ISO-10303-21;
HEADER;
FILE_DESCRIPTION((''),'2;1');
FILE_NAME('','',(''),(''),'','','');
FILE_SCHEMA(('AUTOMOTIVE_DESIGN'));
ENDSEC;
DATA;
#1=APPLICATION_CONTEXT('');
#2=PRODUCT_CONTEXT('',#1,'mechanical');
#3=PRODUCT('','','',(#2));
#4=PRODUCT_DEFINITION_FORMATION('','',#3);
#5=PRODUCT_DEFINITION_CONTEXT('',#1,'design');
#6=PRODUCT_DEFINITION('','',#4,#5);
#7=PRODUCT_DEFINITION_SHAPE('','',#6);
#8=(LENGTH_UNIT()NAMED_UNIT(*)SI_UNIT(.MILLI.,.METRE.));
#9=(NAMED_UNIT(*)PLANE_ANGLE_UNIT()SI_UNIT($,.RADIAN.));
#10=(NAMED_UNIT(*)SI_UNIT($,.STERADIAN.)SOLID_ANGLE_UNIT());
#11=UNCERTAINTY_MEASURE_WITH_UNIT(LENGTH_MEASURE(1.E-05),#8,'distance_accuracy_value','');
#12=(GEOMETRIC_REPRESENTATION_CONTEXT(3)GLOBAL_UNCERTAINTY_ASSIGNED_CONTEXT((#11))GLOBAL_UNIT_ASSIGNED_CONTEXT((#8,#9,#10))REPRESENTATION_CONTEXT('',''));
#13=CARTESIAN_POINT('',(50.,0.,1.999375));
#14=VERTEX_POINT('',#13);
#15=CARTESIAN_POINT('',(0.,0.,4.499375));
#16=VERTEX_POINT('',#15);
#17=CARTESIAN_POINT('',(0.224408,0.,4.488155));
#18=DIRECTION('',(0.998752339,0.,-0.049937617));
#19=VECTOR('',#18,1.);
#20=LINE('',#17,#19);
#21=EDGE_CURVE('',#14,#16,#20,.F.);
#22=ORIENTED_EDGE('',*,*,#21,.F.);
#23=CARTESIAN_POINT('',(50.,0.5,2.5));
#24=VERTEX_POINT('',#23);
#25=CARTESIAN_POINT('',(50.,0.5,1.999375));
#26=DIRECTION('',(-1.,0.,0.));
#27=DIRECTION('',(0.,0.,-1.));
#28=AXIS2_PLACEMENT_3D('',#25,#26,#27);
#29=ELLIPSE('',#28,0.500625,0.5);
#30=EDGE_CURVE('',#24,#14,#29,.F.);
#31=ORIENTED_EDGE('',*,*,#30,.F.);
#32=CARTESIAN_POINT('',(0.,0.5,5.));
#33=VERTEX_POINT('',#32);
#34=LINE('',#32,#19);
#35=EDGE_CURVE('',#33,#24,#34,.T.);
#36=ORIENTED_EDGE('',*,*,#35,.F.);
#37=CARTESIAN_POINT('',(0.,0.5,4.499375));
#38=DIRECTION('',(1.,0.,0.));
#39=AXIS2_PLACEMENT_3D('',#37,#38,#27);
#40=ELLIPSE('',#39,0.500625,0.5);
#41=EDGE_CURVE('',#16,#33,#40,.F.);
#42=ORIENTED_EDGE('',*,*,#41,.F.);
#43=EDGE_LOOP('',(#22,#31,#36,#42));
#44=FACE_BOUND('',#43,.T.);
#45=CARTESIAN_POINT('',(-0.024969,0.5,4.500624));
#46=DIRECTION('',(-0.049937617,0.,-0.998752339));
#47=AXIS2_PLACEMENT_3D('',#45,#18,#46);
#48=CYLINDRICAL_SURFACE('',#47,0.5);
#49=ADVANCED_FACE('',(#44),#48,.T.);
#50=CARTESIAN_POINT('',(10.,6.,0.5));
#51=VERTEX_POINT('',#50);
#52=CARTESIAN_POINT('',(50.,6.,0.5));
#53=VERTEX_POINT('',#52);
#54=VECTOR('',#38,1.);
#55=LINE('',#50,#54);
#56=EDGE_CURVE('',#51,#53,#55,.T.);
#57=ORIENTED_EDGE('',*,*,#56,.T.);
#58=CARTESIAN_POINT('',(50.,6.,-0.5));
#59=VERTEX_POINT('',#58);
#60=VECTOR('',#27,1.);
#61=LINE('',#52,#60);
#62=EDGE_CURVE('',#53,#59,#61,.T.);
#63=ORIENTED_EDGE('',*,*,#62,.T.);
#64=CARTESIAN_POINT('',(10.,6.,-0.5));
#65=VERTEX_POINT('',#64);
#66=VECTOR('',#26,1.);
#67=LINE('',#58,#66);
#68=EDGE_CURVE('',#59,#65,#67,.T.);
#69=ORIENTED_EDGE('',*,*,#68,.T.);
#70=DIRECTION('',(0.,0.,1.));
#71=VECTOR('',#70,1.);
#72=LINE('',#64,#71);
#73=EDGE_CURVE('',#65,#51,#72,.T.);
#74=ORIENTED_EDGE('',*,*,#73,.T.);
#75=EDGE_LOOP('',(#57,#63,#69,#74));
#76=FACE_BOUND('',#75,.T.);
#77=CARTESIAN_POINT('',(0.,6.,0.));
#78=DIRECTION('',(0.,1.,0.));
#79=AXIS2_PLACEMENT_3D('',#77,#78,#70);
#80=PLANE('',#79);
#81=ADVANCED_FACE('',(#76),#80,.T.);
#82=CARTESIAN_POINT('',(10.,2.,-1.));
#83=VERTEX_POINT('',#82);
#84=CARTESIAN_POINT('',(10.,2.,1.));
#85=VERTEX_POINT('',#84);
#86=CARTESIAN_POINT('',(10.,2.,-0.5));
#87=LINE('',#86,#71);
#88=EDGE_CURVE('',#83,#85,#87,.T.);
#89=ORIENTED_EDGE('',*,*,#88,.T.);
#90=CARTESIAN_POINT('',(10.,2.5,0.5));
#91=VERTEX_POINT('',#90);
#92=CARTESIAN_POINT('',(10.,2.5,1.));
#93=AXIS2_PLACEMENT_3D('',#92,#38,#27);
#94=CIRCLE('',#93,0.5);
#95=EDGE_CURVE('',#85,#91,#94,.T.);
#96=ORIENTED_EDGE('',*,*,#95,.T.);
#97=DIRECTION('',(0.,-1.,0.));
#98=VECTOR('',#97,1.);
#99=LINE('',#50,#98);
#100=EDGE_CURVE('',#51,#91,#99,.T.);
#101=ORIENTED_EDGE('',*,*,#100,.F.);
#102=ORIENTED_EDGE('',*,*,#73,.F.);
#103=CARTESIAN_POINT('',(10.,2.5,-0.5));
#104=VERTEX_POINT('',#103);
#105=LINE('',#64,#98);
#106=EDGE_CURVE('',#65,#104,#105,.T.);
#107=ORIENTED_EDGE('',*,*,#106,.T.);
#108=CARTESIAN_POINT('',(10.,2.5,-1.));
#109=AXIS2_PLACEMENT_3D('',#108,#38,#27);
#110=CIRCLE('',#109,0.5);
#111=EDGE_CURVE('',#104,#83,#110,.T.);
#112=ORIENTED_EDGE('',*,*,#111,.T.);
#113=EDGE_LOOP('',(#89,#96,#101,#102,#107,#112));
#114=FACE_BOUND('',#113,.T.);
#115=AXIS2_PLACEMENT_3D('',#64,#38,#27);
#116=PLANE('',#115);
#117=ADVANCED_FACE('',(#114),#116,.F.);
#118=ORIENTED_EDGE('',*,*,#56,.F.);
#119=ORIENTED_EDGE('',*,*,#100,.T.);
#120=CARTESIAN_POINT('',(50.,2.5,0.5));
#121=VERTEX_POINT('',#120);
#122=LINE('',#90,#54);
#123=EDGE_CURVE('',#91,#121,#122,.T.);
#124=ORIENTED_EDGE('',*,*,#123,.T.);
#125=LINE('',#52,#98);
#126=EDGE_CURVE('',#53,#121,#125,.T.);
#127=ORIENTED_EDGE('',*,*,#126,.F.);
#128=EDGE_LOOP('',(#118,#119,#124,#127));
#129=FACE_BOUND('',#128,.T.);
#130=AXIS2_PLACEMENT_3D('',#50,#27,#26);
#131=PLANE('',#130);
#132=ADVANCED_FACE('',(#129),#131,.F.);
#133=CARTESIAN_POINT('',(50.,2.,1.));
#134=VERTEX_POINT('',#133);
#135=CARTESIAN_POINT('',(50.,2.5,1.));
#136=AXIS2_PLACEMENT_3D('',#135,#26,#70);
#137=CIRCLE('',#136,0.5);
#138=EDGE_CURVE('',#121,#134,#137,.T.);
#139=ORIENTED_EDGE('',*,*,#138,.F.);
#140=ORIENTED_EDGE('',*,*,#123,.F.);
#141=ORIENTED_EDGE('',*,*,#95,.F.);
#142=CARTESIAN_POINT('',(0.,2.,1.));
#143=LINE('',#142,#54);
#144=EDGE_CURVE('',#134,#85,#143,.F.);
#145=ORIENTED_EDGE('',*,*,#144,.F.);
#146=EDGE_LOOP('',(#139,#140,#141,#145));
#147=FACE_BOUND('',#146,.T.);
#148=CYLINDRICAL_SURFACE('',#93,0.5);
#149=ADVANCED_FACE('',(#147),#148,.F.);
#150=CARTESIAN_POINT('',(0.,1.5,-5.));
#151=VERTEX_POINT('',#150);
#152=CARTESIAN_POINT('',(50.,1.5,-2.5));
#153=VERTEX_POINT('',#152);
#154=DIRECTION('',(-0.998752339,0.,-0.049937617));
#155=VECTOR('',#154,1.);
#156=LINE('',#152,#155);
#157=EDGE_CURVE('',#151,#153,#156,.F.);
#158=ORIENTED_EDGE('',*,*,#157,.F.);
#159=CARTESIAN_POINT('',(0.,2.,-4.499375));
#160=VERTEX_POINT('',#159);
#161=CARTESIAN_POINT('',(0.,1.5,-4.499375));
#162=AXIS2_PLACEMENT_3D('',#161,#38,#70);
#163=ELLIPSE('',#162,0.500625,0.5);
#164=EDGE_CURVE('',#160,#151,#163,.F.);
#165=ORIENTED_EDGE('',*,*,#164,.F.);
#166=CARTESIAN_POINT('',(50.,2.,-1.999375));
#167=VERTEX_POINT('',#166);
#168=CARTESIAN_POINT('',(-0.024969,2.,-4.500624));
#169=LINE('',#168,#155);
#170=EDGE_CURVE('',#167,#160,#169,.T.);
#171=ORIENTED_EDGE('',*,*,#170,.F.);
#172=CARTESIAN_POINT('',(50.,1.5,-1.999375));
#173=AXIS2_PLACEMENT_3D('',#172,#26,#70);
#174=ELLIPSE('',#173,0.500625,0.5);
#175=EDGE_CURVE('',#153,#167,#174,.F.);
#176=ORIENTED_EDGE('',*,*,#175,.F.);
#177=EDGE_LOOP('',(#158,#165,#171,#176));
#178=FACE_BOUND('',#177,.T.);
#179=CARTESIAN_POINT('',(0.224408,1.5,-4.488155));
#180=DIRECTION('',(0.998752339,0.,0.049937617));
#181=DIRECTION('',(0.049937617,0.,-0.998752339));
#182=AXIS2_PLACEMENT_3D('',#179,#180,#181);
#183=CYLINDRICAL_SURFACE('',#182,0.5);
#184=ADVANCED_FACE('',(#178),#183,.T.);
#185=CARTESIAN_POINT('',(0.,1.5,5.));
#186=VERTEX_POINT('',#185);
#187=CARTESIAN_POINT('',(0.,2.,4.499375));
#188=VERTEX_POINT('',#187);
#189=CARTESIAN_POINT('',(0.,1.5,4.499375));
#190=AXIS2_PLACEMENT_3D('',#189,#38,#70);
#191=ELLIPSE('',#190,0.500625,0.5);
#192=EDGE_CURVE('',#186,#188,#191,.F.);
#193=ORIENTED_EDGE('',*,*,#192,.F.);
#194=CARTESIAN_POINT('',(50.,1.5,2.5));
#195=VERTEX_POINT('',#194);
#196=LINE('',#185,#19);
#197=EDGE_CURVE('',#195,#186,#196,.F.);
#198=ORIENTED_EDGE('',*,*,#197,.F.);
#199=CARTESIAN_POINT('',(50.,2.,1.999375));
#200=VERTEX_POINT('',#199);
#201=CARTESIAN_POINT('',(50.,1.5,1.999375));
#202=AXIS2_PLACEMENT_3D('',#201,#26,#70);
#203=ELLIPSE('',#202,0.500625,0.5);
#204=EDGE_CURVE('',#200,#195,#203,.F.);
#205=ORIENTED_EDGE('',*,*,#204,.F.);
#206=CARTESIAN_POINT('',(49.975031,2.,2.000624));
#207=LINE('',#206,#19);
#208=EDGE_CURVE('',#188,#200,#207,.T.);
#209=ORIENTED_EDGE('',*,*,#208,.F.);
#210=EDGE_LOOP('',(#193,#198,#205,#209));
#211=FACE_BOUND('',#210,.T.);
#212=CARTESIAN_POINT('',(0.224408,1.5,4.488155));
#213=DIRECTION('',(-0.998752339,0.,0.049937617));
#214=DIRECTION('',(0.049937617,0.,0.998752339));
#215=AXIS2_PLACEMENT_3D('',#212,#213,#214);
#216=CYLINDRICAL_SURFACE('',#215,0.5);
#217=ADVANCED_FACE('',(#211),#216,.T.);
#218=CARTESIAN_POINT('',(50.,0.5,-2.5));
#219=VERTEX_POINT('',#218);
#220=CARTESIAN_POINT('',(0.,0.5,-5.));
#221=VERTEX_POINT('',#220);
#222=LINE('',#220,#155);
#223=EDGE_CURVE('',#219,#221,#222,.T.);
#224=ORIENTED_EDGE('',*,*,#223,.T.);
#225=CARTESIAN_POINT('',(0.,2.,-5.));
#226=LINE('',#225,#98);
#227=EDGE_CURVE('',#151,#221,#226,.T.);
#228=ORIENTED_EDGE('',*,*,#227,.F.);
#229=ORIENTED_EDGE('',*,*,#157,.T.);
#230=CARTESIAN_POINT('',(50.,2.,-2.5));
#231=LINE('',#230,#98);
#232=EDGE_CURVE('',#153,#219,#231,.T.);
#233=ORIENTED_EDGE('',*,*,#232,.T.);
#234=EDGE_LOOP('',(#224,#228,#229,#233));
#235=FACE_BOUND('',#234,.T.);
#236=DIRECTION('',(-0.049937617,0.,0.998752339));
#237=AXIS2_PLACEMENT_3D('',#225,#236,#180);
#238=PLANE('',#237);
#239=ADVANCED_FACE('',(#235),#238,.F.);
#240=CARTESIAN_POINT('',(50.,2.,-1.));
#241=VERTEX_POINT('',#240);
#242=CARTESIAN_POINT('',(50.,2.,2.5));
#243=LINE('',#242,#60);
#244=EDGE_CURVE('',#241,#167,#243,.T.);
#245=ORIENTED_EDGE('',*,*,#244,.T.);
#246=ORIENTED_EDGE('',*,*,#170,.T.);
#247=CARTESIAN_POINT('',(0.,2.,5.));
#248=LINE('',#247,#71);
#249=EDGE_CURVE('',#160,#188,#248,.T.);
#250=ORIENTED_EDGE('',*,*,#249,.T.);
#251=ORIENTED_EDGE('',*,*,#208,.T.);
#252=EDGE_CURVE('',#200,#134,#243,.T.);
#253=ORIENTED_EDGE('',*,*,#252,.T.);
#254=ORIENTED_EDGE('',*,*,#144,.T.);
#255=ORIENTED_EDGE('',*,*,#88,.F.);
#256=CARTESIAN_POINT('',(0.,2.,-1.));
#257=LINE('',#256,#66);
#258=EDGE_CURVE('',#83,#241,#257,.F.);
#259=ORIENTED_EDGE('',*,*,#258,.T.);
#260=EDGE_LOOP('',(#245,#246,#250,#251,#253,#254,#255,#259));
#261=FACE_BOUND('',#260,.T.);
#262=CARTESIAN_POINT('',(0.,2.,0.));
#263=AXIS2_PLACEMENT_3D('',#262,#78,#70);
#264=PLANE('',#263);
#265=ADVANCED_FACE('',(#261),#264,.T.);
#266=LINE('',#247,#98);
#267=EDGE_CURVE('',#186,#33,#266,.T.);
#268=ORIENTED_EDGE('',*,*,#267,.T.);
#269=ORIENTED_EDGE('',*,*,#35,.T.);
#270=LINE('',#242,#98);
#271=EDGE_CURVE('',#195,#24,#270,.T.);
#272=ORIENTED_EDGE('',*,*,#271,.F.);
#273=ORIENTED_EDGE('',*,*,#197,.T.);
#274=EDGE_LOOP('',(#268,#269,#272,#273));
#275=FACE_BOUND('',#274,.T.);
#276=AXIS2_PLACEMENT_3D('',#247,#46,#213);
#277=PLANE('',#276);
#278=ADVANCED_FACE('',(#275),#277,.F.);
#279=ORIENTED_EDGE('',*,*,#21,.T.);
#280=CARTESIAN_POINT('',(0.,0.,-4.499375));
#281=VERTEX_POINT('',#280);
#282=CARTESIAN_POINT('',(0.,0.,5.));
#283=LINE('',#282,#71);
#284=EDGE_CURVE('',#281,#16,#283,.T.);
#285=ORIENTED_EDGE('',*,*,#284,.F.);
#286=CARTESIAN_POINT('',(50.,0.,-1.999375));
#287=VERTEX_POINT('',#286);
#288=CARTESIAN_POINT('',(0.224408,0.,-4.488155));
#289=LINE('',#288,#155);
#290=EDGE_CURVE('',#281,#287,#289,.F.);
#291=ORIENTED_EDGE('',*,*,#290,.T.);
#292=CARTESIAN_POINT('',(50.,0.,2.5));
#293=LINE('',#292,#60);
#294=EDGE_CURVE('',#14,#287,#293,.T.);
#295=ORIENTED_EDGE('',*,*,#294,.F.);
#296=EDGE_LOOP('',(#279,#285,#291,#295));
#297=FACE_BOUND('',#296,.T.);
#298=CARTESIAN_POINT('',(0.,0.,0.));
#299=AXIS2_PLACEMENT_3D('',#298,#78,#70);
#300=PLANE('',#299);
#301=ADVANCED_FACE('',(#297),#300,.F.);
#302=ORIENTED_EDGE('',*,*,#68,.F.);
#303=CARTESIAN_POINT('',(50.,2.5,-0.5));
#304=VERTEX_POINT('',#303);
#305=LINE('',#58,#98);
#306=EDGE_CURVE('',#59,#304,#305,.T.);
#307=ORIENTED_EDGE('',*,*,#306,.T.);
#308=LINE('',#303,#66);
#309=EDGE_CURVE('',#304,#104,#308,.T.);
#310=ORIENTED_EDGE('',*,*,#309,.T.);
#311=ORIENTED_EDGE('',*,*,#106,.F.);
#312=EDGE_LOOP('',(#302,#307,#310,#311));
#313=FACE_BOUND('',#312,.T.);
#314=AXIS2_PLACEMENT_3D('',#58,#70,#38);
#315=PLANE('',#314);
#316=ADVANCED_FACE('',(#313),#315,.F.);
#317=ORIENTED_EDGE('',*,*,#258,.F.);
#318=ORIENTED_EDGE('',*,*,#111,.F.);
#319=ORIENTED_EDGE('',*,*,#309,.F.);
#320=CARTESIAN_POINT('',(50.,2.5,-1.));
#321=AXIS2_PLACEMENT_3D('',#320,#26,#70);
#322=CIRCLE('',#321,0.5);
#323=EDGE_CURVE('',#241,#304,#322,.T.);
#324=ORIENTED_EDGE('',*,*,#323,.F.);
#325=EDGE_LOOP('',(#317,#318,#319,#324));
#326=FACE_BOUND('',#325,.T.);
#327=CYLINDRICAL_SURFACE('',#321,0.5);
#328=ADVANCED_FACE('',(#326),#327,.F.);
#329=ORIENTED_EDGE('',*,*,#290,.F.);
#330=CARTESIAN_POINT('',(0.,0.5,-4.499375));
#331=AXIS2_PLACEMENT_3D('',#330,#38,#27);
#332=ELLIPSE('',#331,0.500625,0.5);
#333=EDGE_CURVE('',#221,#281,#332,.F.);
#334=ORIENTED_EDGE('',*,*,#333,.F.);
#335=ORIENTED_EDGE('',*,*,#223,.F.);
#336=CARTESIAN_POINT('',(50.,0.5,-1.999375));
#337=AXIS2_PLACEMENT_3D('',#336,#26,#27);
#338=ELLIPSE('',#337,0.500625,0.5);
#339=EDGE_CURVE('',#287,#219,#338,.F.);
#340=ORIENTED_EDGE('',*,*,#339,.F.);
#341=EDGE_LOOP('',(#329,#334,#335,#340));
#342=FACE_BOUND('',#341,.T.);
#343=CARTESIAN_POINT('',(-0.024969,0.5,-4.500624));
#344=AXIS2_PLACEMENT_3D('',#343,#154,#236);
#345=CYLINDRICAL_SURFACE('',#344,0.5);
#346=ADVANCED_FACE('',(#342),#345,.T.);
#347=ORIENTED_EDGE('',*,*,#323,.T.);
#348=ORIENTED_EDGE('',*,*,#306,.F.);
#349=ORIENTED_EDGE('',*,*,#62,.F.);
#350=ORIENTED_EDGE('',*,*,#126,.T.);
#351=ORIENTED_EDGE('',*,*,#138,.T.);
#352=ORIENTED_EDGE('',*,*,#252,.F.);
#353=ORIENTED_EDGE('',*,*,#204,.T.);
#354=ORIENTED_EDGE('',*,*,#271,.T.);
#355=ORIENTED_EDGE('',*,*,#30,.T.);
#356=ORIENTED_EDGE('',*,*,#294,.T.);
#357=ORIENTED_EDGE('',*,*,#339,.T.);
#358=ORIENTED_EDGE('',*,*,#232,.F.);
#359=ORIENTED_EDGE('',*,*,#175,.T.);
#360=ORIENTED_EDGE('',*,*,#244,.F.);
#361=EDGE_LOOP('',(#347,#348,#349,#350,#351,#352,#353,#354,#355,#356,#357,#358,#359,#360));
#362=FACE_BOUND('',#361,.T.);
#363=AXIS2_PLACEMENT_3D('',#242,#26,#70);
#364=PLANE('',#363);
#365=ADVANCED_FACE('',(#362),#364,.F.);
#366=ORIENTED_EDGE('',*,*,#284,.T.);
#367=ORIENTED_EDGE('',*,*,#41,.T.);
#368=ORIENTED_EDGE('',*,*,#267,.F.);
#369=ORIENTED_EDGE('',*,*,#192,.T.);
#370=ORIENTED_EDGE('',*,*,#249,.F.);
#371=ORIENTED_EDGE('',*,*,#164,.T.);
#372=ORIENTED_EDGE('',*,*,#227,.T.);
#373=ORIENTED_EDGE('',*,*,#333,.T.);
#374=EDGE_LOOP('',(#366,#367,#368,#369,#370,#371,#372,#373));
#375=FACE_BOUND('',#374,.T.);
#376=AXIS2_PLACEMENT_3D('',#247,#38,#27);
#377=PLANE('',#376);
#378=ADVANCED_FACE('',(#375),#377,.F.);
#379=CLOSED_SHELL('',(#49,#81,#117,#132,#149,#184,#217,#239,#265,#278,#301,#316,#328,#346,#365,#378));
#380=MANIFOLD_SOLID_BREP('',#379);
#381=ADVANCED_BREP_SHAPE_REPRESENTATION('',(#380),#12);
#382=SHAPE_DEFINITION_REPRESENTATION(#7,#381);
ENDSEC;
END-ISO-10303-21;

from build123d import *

# Parameters (mm, degrees)
BOSS_EXTRUDE1_DEPTH = 2
SKETCH2_W           = 40
SKETCH2_H           = 1
BOSS_EXTRUDE2_DEPTH = 4
FILLET1_R           = 0.5


with BuildPart() as part:
    # Sketch1 → Boss-Extrude1 (new body)
    with BuildSketch(Plane(origin=(0, 0, 0), x_dir=(1, 0, 0), z_dir=(0, 1, 0))):
        Polygon((0, -5), (0, 5), (50, 2.5), (50, -2.5), align=None)
    extrude(amount=BOSS_EXTRUDE1_DEPTH)

    # Sketch2 → Boss-Extrude2 (add)
    with BuildSketch(Plane(origin=(0, 2, 0), x_dir=(1, 0, 0), z_dir=(0, 1, 0))):
        with Locations((30, 0)):
            Rectangle(SKETCH2_W, SKETCH2_H)
    extrude(amount=BOSS_EXTRUDE2_DEPTH)

    # Fillet1
    fillet1_edges = [part.edges().sort_by_distance(p)[0] for p in [
        (25, 2, 3.75),
        (30, 2, -0.5),
        (30, 2, 0.5),
        (25, 2, -3.75),
        (25, 0, 3.75),
        (25, 0, -3.75),
    ]]
    fillet(fillet1_edges, radius=FILLET1_R)


solid = part.part
